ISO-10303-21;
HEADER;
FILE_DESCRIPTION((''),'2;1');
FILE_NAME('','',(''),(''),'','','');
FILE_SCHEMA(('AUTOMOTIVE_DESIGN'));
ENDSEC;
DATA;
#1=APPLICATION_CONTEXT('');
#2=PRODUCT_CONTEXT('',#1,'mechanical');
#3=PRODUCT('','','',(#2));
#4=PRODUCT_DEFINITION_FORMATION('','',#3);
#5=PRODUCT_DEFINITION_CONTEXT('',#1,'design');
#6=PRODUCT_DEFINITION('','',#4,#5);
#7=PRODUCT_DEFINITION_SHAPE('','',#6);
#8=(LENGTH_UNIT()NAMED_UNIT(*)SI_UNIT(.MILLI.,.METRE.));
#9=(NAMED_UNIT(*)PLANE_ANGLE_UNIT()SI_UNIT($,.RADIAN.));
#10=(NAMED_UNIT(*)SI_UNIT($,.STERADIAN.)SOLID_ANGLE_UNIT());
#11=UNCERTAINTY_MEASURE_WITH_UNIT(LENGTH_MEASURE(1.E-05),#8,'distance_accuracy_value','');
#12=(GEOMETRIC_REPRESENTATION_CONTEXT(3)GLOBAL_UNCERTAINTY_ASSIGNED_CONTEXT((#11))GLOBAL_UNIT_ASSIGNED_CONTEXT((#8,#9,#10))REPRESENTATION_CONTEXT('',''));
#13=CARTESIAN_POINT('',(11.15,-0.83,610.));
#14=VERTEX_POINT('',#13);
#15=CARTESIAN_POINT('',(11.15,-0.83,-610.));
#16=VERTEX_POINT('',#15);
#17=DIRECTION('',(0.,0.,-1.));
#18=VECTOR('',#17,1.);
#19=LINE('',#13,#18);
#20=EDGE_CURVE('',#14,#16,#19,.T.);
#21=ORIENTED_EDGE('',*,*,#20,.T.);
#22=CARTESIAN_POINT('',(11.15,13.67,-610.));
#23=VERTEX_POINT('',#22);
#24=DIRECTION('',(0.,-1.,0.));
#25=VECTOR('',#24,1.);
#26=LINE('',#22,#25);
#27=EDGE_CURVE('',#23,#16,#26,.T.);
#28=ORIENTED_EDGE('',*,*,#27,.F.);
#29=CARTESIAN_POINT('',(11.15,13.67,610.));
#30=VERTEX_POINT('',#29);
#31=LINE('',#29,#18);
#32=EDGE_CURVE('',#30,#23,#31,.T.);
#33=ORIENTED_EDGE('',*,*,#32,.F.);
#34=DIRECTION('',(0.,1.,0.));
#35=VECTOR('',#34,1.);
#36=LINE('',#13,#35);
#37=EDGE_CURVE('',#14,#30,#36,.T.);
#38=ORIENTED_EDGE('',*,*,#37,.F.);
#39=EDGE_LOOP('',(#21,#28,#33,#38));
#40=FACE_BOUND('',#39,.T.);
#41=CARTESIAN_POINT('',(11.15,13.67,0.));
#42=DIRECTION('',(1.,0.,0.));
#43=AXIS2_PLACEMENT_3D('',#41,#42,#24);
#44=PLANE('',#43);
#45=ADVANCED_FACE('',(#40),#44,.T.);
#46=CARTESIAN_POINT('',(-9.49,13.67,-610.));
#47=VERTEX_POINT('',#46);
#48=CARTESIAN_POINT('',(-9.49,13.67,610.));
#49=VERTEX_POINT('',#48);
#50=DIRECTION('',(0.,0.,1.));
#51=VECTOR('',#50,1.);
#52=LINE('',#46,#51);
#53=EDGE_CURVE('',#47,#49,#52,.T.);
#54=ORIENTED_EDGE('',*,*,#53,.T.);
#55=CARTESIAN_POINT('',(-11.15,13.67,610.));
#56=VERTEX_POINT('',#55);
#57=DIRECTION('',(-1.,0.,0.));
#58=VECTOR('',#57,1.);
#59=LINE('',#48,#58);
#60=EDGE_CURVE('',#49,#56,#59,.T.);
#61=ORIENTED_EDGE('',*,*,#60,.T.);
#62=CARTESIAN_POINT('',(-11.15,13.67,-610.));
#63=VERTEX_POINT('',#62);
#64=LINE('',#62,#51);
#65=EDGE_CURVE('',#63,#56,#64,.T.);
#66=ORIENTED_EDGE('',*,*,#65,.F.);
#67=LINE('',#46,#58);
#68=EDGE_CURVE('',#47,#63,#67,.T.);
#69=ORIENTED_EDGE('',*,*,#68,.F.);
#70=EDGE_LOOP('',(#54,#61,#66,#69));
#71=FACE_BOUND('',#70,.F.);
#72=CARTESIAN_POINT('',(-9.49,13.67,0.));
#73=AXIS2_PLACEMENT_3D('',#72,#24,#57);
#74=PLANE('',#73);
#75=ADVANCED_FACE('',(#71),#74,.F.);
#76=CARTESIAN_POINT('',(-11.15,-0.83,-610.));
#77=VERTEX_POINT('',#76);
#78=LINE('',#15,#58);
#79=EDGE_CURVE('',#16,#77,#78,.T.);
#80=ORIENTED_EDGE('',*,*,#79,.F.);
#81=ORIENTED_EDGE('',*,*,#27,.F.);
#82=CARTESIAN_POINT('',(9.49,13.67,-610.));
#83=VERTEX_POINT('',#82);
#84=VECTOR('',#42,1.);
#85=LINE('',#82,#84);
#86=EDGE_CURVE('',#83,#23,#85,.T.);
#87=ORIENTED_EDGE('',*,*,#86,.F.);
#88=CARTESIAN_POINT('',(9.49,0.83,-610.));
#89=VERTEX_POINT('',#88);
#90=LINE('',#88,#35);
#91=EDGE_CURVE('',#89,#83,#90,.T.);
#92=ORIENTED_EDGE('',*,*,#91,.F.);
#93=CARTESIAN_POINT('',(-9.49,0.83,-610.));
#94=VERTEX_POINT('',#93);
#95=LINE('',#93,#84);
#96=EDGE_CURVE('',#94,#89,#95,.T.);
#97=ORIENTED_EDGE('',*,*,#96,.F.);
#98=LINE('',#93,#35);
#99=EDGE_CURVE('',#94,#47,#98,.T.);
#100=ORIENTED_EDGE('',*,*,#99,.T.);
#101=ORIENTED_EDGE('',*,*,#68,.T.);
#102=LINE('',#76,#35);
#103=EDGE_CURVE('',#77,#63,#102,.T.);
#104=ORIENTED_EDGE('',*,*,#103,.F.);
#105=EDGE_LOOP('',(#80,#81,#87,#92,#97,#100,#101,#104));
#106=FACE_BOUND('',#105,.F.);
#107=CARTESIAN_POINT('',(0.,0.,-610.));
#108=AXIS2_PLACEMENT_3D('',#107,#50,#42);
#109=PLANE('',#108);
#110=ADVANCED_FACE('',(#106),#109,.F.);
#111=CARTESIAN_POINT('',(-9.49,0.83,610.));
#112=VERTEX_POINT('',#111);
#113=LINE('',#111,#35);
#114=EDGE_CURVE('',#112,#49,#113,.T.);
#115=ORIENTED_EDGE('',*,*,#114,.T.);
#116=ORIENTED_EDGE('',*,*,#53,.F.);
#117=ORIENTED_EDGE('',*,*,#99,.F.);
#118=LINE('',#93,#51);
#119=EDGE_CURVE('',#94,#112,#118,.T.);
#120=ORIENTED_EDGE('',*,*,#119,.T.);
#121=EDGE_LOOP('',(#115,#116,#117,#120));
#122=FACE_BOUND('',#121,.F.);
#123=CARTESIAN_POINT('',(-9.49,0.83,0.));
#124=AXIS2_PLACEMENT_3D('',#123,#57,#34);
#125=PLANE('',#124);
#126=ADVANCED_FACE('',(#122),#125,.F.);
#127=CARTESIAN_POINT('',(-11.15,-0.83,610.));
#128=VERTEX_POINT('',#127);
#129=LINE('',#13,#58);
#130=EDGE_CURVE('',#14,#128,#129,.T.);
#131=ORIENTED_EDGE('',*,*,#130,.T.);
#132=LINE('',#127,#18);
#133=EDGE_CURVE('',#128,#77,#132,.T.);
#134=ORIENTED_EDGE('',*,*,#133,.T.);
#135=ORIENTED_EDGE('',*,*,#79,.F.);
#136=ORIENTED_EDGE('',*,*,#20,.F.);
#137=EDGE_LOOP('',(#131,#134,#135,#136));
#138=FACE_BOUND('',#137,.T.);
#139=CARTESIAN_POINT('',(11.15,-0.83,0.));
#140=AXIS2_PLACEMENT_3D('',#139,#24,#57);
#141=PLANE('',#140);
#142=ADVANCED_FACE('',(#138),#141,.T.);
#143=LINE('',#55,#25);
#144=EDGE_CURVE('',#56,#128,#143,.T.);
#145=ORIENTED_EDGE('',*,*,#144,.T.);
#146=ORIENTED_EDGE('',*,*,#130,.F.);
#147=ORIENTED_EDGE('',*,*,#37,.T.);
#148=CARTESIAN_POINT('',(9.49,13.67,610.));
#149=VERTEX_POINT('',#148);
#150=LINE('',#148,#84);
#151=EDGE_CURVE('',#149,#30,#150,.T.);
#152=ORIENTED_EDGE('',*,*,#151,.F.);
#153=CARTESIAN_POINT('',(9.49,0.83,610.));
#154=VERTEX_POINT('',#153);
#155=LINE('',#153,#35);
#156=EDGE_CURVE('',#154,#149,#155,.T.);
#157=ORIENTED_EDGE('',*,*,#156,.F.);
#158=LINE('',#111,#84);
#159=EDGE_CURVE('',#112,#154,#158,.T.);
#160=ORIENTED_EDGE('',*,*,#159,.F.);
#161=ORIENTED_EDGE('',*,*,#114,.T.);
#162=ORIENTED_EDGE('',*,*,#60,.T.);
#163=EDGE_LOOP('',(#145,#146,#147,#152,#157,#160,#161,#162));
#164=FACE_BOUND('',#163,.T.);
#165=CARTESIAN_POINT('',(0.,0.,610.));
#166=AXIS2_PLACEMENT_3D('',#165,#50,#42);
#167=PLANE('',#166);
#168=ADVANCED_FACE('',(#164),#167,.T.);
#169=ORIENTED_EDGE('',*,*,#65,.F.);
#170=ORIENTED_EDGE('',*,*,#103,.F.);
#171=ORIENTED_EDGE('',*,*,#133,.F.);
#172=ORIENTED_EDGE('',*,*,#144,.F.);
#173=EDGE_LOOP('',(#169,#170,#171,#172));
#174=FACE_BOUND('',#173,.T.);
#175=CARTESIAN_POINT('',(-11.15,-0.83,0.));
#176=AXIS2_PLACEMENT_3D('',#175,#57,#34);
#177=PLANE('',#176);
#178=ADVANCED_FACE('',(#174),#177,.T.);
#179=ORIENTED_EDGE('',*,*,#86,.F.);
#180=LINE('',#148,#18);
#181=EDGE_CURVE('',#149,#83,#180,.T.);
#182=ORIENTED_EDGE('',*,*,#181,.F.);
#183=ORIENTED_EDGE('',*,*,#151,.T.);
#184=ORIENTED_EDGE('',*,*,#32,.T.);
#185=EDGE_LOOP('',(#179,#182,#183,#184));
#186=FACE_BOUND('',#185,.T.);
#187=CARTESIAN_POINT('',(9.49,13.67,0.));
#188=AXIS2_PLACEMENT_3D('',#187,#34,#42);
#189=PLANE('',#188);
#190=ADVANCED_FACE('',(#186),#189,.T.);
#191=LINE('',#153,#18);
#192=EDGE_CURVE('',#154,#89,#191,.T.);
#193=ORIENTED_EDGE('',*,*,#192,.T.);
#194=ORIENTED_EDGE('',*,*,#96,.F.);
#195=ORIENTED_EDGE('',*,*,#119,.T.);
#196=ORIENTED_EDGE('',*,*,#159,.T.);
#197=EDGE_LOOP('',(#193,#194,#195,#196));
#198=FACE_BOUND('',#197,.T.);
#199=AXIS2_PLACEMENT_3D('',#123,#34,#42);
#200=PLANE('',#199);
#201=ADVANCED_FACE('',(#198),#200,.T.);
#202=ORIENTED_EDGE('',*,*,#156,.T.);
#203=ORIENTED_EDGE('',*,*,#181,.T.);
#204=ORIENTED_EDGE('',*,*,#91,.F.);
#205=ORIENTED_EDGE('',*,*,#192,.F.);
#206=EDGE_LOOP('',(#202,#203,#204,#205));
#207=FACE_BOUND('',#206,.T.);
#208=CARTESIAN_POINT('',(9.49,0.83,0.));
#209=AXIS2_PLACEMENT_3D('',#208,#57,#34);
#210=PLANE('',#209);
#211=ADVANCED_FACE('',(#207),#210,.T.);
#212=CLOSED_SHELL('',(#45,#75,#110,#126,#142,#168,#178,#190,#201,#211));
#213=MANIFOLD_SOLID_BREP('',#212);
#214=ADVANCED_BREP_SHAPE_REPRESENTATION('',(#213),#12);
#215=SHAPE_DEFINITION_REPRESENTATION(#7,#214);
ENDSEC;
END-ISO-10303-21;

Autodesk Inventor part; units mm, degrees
ref_plane "YZ Plane" through (0, 0, 0) normal (1, 0, 0) x (0, 1, 0)
ref_plane "XZ Plane" through (0, 0, 0) normal (0, 1, 0) x (-1, 0, 0)
ref_plane "XY Plane" through (0, 0, 0) normal (0, 0, 1) x (1, 0, 0)
sketch "Sketch1" plane through (0, 0, 0) normal (0, 0, 1) x (1, 0, 0)
  line L0 (-9.49, 0.83) -> (9.49, 0.83)
  line L1 (11.15, 1.3646) -> (11.15, -0.83)
  line L2 (11.15, -0.83) -> (-11.15, -0.83)
  line L3 (-11.15, -0.83) -> (-11.15, 1.0973)
  line L4 (-9.49, 0.83) -> (-9.49, 13.67)
  line L5 (-9.49, 13.67) -> (-11.15, 13.67)
  line L6 (-11.15, 13.67) -> (-11.15, 1.0973)
  line L7 (9.49, 0.83) -> (9.49, 13.67)
  line L8 (9.49, 13.67) -> (11.15, 13.67)
  line L9 (11.15, 13.67) -> (11.15, 1.3646)
  point P0 (0, 0)
  point P1 (0, 0)
  dimension "d0" = 22.3
  dimension "d1" = 11.15
  dimension "d3" = 0.83
  dimension "d4" = 14.5
  dimension "d5" = 1.66
  dimension "d6" = 1.66
  dimension "d7" = 14.5
  dimension "d10" = 1.66
extrude "Extrusion1" add sketch "Sketch1" along normal mid plane 1220
equation "\"d1\" = 0.5 * d0"
equation "\"d3\" = 0.5 * d10"
equation "\"d6\" = d5"
equation "\"d7\" = d4"
equation "\"d10\" = d5"
properties part number "Track"
